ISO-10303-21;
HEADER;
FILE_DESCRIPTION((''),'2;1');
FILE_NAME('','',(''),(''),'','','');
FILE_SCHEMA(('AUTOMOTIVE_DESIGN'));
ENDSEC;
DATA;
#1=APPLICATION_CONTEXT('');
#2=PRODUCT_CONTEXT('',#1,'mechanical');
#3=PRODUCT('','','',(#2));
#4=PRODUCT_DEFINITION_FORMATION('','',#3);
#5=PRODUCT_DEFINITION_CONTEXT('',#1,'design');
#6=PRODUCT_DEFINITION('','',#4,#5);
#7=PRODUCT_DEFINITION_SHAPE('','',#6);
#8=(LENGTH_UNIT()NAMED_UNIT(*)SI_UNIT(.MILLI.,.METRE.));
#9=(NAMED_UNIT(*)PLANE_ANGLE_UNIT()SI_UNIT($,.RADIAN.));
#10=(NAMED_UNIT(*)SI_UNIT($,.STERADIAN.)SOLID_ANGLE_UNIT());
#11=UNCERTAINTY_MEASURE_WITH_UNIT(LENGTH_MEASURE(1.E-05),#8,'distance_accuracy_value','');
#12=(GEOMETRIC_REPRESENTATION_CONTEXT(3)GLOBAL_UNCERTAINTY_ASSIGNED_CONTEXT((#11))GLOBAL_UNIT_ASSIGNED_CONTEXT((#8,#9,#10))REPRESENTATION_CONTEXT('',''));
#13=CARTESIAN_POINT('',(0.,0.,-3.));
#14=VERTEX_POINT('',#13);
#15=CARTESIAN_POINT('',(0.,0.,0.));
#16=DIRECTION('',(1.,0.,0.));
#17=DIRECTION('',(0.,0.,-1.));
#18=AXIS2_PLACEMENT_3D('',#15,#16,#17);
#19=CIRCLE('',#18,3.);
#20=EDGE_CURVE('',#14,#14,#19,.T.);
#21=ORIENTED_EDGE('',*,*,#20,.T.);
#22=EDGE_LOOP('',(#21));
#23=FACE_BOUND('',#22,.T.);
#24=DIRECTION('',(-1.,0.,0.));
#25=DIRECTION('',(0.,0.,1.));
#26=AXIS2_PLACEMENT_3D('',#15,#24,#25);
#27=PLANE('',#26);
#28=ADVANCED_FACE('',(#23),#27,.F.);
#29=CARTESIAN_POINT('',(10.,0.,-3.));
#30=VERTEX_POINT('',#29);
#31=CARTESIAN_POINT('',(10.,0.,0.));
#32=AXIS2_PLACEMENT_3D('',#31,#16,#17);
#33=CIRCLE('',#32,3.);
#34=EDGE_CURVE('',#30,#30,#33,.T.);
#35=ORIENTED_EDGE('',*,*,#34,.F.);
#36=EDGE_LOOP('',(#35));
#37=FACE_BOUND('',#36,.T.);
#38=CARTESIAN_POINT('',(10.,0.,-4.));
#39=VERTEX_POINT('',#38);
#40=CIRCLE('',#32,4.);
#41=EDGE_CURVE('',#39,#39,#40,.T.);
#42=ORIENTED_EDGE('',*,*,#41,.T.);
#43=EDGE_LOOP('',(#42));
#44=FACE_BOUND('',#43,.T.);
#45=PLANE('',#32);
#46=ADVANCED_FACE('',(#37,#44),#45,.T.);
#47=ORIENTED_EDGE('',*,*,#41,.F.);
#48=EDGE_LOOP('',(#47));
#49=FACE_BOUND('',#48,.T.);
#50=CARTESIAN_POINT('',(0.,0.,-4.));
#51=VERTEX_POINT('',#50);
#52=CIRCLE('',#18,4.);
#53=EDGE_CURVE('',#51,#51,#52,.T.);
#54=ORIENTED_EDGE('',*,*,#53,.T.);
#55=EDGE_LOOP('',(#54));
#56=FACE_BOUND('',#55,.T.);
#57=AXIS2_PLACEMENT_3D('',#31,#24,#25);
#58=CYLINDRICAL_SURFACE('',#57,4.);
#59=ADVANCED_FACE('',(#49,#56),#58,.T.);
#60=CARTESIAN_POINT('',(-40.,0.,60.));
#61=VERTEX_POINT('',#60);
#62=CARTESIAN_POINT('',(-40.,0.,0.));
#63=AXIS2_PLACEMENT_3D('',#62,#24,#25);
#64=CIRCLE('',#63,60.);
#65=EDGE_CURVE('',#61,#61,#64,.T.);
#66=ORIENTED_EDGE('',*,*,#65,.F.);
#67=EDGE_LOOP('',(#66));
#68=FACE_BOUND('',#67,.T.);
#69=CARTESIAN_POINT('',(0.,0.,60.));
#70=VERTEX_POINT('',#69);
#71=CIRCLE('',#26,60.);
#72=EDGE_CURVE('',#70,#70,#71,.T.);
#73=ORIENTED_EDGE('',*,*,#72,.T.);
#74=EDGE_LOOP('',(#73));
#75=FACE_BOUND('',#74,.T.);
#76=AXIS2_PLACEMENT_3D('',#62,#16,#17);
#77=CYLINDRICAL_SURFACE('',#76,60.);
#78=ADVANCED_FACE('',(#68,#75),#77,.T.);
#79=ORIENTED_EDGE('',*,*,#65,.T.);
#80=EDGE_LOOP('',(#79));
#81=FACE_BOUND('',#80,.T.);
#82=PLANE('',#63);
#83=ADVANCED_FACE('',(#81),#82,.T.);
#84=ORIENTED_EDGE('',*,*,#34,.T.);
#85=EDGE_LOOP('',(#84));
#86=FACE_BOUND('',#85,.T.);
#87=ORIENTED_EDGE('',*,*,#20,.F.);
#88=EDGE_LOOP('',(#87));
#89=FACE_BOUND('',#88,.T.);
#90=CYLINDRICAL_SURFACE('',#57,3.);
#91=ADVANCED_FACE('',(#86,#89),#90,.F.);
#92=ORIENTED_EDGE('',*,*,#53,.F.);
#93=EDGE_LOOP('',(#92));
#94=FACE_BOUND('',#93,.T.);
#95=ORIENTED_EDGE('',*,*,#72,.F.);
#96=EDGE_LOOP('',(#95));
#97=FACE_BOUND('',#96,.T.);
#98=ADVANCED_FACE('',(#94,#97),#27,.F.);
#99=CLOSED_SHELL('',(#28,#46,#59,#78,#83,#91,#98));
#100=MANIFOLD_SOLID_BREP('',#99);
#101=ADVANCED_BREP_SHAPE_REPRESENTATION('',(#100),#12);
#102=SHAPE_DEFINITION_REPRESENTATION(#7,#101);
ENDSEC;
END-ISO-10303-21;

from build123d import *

# Parameters (mm, degrees)
SKETCH_1_R      = 4
SKETCH_1_R_2    = 3
EXTRUDE_1_DEPTH = 10
SKETCH_2_R      = 60
EXTRUDE_2_DEPTH = 40


with BuildPart() as part:
    # 草图1 → 凸台-拉伸1 (new body)
    with BuildSketch(Plane(origin=(0, 0, 0), x_dir=(0, 0, -1), z_dir=(1, 0, 0))):
        Circle(SKETCH_1_R)
        Circle(SKETCH_1_R_2, mode=Mode.SUBTRACT)
    extrude(amount=EXTRUDE_1_DEPTH)

    # 草图2 → 凸台-拉伸2 (add)
    with BuildSketch(Plane.ZY):
        Circle(SKETCH_2_R)
    extrude(amount=EXTRUDE_2_DEPTH)


solid = part.part
